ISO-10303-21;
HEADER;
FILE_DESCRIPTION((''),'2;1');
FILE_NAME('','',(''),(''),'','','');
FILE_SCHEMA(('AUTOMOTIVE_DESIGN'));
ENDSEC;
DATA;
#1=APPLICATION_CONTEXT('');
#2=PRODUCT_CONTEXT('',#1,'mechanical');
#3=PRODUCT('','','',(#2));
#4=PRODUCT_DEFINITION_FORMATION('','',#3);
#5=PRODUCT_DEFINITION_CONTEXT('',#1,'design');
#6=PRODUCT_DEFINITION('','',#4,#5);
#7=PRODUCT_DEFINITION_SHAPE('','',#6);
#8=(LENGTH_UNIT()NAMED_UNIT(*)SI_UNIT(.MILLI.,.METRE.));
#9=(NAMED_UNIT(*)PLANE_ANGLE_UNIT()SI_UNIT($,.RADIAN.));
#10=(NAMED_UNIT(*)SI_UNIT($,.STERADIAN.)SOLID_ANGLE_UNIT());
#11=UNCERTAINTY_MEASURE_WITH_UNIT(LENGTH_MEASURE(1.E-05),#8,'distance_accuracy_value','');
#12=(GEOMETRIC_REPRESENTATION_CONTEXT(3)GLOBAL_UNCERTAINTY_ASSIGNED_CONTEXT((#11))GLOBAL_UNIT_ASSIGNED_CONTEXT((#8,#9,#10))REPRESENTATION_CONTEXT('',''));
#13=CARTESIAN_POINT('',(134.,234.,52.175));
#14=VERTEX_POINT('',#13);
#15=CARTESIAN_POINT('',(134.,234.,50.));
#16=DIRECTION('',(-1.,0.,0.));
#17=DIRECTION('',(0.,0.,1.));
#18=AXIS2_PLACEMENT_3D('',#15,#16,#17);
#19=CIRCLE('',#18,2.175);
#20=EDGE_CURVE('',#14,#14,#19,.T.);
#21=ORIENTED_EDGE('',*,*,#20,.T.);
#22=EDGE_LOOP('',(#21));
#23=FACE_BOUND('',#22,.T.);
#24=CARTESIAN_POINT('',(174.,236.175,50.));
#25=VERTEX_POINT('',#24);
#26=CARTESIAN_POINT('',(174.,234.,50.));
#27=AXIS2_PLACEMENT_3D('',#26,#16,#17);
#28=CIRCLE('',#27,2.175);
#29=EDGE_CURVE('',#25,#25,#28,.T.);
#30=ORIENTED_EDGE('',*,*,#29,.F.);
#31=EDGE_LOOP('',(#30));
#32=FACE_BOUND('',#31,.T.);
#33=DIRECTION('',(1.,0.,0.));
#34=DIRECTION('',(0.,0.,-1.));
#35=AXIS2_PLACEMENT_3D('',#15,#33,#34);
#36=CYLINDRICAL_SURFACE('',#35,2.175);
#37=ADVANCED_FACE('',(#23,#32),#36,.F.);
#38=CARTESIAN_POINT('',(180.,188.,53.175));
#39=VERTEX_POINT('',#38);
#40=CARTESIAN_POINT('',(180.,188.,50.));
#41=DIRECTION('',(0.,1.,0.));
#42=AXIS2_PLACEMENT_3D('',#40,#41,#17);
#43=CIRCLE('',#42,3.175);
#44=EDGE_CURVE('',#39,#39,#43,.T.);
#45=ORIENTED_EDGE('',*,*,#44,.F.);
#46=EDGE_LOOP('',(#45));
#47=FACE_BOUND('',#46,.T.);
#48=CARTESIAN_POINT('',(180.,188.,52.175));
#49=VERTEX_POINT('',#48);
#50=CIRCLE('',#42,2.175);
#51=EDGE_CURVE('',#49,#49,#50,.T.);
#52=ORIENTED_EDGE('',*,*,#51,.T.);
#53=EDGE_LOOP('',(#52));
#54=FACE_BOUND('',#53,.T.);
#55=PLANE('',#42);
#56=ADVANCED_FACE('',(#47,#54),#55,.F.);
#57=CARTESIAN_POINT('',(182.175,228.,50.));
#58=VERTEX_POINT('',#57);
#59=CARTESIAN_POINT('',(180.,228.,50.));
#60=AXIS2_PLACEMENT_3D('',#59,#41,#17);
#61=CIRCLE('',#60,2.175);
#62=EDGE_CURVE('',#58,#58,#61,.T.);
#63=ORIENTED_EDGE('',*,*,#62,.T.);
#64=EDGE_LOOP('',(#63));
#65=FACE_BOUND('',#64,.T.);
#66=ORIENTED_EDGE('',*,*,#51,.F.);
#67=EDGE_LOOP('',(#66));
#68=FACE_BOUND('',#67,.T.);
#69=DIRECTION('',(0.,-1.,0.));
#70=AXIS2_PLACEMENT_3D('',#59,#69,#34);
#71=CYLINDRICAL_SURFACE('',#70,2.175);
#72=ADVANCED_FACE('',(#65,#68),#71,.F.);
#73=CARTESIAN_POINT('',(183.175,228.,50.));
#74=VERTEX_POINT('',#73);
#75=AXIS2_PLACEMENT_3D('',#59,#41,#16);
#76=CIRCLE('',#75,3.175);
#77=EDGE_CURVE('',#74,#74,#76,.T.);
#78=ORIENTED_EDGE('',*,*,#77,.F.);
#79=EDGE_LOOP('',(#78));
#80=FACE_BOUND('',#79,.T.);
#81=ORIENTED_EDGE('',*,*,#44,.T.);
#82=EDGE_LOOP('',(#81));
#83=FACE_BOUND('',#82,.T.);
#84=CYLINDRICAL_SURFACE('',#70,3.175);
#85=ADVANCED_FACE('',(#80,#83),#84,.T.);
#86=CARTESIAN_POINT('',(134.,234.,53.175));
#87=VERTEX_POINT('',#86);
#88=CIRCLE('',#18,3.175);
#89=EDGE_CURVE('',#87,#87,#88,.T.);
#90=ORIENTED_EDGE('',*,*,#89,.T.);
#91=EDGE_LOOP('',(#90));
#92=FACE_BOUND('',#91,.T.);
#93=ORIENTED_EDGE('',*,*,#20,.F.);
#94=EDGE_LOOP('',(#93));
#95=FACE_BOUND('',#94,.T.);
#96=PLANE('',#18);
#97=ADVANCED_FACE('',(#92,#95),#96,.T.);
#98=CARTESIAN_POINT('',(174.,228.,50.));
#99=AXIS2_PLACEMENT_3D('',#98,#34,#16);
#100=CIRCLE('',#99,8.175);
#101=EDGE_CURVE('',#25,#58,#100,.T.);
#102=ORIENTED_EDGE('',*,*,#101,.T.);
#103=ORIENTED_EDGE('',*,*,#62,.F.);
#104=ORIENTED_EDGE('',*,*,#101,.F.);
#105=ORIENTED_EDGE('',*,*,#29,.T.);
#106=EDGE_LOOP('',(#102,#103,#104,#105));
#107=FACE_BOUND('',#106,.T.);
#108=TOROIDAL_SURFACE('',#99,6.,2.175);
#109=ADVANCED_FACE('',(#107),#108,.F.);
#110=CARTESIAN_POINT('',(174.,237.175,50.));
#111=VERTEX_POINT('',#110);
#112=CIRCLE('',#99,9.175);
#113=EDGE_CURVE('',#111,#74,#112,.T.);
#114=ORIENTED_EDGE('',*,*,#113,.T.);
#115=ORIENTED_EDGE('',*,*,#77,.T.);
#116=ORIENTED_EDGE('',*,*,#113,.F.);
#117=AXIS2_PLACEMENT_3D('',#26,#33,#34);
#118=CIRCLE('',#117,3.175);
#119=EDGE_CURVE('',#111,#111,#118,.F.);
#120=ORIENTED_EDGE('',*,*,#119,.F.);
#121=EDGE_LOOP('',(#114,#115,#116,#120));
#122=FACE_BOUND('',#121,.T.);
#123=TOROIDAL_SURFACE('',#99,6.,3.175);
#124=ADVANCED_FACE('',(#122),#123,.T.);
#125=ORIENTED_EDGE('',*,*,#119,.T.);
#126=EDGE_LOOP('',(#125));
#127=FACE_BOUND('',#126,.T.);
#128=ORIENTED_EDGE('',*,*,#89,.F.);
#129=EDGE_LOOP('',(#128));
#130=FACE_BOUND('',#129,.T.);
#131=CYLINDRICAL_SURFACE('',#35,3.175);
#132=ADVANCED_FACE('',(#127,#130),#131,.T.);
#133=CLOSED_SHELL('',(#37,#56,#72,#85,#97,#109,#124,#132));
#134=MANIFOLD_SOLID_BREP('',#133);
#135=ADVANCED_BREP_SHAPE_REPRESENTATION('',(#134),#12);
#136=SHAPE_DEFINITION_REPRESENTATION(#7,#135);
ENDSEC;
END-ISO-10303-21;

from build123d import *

# Parameters (mm, degrees)
TUBE_PROFILE_R   = 3.175
TUBE_PROFILE_R_2 = 2.175


with BuildPart() as part:
    # Tube: sweep along a curve in space
    with BuildLine() as tube_path:
        Line((134, 234, 50), (174, 234, 50))
        ThreePointArc((180, 228, 50), (178.242640687, 232.242640687, 50), (174, 234, 50))
        Line((180, 228, 50), (180, 188, 50))
    # Tube profile (on start of the path) → Tube (sweep)
    with BuildSketch(Plane(origin=(134, 234, 50), x_dir=(0, 0, 1), z_dir=(1, 0, 0))):
        Circle(TUBE_PROFILE_R)
        Circle(TUBE_PROFILE_R_2, mode=Mode.SUBTRACT)
    sweep(path=tube_path.line)


solid = part.part
